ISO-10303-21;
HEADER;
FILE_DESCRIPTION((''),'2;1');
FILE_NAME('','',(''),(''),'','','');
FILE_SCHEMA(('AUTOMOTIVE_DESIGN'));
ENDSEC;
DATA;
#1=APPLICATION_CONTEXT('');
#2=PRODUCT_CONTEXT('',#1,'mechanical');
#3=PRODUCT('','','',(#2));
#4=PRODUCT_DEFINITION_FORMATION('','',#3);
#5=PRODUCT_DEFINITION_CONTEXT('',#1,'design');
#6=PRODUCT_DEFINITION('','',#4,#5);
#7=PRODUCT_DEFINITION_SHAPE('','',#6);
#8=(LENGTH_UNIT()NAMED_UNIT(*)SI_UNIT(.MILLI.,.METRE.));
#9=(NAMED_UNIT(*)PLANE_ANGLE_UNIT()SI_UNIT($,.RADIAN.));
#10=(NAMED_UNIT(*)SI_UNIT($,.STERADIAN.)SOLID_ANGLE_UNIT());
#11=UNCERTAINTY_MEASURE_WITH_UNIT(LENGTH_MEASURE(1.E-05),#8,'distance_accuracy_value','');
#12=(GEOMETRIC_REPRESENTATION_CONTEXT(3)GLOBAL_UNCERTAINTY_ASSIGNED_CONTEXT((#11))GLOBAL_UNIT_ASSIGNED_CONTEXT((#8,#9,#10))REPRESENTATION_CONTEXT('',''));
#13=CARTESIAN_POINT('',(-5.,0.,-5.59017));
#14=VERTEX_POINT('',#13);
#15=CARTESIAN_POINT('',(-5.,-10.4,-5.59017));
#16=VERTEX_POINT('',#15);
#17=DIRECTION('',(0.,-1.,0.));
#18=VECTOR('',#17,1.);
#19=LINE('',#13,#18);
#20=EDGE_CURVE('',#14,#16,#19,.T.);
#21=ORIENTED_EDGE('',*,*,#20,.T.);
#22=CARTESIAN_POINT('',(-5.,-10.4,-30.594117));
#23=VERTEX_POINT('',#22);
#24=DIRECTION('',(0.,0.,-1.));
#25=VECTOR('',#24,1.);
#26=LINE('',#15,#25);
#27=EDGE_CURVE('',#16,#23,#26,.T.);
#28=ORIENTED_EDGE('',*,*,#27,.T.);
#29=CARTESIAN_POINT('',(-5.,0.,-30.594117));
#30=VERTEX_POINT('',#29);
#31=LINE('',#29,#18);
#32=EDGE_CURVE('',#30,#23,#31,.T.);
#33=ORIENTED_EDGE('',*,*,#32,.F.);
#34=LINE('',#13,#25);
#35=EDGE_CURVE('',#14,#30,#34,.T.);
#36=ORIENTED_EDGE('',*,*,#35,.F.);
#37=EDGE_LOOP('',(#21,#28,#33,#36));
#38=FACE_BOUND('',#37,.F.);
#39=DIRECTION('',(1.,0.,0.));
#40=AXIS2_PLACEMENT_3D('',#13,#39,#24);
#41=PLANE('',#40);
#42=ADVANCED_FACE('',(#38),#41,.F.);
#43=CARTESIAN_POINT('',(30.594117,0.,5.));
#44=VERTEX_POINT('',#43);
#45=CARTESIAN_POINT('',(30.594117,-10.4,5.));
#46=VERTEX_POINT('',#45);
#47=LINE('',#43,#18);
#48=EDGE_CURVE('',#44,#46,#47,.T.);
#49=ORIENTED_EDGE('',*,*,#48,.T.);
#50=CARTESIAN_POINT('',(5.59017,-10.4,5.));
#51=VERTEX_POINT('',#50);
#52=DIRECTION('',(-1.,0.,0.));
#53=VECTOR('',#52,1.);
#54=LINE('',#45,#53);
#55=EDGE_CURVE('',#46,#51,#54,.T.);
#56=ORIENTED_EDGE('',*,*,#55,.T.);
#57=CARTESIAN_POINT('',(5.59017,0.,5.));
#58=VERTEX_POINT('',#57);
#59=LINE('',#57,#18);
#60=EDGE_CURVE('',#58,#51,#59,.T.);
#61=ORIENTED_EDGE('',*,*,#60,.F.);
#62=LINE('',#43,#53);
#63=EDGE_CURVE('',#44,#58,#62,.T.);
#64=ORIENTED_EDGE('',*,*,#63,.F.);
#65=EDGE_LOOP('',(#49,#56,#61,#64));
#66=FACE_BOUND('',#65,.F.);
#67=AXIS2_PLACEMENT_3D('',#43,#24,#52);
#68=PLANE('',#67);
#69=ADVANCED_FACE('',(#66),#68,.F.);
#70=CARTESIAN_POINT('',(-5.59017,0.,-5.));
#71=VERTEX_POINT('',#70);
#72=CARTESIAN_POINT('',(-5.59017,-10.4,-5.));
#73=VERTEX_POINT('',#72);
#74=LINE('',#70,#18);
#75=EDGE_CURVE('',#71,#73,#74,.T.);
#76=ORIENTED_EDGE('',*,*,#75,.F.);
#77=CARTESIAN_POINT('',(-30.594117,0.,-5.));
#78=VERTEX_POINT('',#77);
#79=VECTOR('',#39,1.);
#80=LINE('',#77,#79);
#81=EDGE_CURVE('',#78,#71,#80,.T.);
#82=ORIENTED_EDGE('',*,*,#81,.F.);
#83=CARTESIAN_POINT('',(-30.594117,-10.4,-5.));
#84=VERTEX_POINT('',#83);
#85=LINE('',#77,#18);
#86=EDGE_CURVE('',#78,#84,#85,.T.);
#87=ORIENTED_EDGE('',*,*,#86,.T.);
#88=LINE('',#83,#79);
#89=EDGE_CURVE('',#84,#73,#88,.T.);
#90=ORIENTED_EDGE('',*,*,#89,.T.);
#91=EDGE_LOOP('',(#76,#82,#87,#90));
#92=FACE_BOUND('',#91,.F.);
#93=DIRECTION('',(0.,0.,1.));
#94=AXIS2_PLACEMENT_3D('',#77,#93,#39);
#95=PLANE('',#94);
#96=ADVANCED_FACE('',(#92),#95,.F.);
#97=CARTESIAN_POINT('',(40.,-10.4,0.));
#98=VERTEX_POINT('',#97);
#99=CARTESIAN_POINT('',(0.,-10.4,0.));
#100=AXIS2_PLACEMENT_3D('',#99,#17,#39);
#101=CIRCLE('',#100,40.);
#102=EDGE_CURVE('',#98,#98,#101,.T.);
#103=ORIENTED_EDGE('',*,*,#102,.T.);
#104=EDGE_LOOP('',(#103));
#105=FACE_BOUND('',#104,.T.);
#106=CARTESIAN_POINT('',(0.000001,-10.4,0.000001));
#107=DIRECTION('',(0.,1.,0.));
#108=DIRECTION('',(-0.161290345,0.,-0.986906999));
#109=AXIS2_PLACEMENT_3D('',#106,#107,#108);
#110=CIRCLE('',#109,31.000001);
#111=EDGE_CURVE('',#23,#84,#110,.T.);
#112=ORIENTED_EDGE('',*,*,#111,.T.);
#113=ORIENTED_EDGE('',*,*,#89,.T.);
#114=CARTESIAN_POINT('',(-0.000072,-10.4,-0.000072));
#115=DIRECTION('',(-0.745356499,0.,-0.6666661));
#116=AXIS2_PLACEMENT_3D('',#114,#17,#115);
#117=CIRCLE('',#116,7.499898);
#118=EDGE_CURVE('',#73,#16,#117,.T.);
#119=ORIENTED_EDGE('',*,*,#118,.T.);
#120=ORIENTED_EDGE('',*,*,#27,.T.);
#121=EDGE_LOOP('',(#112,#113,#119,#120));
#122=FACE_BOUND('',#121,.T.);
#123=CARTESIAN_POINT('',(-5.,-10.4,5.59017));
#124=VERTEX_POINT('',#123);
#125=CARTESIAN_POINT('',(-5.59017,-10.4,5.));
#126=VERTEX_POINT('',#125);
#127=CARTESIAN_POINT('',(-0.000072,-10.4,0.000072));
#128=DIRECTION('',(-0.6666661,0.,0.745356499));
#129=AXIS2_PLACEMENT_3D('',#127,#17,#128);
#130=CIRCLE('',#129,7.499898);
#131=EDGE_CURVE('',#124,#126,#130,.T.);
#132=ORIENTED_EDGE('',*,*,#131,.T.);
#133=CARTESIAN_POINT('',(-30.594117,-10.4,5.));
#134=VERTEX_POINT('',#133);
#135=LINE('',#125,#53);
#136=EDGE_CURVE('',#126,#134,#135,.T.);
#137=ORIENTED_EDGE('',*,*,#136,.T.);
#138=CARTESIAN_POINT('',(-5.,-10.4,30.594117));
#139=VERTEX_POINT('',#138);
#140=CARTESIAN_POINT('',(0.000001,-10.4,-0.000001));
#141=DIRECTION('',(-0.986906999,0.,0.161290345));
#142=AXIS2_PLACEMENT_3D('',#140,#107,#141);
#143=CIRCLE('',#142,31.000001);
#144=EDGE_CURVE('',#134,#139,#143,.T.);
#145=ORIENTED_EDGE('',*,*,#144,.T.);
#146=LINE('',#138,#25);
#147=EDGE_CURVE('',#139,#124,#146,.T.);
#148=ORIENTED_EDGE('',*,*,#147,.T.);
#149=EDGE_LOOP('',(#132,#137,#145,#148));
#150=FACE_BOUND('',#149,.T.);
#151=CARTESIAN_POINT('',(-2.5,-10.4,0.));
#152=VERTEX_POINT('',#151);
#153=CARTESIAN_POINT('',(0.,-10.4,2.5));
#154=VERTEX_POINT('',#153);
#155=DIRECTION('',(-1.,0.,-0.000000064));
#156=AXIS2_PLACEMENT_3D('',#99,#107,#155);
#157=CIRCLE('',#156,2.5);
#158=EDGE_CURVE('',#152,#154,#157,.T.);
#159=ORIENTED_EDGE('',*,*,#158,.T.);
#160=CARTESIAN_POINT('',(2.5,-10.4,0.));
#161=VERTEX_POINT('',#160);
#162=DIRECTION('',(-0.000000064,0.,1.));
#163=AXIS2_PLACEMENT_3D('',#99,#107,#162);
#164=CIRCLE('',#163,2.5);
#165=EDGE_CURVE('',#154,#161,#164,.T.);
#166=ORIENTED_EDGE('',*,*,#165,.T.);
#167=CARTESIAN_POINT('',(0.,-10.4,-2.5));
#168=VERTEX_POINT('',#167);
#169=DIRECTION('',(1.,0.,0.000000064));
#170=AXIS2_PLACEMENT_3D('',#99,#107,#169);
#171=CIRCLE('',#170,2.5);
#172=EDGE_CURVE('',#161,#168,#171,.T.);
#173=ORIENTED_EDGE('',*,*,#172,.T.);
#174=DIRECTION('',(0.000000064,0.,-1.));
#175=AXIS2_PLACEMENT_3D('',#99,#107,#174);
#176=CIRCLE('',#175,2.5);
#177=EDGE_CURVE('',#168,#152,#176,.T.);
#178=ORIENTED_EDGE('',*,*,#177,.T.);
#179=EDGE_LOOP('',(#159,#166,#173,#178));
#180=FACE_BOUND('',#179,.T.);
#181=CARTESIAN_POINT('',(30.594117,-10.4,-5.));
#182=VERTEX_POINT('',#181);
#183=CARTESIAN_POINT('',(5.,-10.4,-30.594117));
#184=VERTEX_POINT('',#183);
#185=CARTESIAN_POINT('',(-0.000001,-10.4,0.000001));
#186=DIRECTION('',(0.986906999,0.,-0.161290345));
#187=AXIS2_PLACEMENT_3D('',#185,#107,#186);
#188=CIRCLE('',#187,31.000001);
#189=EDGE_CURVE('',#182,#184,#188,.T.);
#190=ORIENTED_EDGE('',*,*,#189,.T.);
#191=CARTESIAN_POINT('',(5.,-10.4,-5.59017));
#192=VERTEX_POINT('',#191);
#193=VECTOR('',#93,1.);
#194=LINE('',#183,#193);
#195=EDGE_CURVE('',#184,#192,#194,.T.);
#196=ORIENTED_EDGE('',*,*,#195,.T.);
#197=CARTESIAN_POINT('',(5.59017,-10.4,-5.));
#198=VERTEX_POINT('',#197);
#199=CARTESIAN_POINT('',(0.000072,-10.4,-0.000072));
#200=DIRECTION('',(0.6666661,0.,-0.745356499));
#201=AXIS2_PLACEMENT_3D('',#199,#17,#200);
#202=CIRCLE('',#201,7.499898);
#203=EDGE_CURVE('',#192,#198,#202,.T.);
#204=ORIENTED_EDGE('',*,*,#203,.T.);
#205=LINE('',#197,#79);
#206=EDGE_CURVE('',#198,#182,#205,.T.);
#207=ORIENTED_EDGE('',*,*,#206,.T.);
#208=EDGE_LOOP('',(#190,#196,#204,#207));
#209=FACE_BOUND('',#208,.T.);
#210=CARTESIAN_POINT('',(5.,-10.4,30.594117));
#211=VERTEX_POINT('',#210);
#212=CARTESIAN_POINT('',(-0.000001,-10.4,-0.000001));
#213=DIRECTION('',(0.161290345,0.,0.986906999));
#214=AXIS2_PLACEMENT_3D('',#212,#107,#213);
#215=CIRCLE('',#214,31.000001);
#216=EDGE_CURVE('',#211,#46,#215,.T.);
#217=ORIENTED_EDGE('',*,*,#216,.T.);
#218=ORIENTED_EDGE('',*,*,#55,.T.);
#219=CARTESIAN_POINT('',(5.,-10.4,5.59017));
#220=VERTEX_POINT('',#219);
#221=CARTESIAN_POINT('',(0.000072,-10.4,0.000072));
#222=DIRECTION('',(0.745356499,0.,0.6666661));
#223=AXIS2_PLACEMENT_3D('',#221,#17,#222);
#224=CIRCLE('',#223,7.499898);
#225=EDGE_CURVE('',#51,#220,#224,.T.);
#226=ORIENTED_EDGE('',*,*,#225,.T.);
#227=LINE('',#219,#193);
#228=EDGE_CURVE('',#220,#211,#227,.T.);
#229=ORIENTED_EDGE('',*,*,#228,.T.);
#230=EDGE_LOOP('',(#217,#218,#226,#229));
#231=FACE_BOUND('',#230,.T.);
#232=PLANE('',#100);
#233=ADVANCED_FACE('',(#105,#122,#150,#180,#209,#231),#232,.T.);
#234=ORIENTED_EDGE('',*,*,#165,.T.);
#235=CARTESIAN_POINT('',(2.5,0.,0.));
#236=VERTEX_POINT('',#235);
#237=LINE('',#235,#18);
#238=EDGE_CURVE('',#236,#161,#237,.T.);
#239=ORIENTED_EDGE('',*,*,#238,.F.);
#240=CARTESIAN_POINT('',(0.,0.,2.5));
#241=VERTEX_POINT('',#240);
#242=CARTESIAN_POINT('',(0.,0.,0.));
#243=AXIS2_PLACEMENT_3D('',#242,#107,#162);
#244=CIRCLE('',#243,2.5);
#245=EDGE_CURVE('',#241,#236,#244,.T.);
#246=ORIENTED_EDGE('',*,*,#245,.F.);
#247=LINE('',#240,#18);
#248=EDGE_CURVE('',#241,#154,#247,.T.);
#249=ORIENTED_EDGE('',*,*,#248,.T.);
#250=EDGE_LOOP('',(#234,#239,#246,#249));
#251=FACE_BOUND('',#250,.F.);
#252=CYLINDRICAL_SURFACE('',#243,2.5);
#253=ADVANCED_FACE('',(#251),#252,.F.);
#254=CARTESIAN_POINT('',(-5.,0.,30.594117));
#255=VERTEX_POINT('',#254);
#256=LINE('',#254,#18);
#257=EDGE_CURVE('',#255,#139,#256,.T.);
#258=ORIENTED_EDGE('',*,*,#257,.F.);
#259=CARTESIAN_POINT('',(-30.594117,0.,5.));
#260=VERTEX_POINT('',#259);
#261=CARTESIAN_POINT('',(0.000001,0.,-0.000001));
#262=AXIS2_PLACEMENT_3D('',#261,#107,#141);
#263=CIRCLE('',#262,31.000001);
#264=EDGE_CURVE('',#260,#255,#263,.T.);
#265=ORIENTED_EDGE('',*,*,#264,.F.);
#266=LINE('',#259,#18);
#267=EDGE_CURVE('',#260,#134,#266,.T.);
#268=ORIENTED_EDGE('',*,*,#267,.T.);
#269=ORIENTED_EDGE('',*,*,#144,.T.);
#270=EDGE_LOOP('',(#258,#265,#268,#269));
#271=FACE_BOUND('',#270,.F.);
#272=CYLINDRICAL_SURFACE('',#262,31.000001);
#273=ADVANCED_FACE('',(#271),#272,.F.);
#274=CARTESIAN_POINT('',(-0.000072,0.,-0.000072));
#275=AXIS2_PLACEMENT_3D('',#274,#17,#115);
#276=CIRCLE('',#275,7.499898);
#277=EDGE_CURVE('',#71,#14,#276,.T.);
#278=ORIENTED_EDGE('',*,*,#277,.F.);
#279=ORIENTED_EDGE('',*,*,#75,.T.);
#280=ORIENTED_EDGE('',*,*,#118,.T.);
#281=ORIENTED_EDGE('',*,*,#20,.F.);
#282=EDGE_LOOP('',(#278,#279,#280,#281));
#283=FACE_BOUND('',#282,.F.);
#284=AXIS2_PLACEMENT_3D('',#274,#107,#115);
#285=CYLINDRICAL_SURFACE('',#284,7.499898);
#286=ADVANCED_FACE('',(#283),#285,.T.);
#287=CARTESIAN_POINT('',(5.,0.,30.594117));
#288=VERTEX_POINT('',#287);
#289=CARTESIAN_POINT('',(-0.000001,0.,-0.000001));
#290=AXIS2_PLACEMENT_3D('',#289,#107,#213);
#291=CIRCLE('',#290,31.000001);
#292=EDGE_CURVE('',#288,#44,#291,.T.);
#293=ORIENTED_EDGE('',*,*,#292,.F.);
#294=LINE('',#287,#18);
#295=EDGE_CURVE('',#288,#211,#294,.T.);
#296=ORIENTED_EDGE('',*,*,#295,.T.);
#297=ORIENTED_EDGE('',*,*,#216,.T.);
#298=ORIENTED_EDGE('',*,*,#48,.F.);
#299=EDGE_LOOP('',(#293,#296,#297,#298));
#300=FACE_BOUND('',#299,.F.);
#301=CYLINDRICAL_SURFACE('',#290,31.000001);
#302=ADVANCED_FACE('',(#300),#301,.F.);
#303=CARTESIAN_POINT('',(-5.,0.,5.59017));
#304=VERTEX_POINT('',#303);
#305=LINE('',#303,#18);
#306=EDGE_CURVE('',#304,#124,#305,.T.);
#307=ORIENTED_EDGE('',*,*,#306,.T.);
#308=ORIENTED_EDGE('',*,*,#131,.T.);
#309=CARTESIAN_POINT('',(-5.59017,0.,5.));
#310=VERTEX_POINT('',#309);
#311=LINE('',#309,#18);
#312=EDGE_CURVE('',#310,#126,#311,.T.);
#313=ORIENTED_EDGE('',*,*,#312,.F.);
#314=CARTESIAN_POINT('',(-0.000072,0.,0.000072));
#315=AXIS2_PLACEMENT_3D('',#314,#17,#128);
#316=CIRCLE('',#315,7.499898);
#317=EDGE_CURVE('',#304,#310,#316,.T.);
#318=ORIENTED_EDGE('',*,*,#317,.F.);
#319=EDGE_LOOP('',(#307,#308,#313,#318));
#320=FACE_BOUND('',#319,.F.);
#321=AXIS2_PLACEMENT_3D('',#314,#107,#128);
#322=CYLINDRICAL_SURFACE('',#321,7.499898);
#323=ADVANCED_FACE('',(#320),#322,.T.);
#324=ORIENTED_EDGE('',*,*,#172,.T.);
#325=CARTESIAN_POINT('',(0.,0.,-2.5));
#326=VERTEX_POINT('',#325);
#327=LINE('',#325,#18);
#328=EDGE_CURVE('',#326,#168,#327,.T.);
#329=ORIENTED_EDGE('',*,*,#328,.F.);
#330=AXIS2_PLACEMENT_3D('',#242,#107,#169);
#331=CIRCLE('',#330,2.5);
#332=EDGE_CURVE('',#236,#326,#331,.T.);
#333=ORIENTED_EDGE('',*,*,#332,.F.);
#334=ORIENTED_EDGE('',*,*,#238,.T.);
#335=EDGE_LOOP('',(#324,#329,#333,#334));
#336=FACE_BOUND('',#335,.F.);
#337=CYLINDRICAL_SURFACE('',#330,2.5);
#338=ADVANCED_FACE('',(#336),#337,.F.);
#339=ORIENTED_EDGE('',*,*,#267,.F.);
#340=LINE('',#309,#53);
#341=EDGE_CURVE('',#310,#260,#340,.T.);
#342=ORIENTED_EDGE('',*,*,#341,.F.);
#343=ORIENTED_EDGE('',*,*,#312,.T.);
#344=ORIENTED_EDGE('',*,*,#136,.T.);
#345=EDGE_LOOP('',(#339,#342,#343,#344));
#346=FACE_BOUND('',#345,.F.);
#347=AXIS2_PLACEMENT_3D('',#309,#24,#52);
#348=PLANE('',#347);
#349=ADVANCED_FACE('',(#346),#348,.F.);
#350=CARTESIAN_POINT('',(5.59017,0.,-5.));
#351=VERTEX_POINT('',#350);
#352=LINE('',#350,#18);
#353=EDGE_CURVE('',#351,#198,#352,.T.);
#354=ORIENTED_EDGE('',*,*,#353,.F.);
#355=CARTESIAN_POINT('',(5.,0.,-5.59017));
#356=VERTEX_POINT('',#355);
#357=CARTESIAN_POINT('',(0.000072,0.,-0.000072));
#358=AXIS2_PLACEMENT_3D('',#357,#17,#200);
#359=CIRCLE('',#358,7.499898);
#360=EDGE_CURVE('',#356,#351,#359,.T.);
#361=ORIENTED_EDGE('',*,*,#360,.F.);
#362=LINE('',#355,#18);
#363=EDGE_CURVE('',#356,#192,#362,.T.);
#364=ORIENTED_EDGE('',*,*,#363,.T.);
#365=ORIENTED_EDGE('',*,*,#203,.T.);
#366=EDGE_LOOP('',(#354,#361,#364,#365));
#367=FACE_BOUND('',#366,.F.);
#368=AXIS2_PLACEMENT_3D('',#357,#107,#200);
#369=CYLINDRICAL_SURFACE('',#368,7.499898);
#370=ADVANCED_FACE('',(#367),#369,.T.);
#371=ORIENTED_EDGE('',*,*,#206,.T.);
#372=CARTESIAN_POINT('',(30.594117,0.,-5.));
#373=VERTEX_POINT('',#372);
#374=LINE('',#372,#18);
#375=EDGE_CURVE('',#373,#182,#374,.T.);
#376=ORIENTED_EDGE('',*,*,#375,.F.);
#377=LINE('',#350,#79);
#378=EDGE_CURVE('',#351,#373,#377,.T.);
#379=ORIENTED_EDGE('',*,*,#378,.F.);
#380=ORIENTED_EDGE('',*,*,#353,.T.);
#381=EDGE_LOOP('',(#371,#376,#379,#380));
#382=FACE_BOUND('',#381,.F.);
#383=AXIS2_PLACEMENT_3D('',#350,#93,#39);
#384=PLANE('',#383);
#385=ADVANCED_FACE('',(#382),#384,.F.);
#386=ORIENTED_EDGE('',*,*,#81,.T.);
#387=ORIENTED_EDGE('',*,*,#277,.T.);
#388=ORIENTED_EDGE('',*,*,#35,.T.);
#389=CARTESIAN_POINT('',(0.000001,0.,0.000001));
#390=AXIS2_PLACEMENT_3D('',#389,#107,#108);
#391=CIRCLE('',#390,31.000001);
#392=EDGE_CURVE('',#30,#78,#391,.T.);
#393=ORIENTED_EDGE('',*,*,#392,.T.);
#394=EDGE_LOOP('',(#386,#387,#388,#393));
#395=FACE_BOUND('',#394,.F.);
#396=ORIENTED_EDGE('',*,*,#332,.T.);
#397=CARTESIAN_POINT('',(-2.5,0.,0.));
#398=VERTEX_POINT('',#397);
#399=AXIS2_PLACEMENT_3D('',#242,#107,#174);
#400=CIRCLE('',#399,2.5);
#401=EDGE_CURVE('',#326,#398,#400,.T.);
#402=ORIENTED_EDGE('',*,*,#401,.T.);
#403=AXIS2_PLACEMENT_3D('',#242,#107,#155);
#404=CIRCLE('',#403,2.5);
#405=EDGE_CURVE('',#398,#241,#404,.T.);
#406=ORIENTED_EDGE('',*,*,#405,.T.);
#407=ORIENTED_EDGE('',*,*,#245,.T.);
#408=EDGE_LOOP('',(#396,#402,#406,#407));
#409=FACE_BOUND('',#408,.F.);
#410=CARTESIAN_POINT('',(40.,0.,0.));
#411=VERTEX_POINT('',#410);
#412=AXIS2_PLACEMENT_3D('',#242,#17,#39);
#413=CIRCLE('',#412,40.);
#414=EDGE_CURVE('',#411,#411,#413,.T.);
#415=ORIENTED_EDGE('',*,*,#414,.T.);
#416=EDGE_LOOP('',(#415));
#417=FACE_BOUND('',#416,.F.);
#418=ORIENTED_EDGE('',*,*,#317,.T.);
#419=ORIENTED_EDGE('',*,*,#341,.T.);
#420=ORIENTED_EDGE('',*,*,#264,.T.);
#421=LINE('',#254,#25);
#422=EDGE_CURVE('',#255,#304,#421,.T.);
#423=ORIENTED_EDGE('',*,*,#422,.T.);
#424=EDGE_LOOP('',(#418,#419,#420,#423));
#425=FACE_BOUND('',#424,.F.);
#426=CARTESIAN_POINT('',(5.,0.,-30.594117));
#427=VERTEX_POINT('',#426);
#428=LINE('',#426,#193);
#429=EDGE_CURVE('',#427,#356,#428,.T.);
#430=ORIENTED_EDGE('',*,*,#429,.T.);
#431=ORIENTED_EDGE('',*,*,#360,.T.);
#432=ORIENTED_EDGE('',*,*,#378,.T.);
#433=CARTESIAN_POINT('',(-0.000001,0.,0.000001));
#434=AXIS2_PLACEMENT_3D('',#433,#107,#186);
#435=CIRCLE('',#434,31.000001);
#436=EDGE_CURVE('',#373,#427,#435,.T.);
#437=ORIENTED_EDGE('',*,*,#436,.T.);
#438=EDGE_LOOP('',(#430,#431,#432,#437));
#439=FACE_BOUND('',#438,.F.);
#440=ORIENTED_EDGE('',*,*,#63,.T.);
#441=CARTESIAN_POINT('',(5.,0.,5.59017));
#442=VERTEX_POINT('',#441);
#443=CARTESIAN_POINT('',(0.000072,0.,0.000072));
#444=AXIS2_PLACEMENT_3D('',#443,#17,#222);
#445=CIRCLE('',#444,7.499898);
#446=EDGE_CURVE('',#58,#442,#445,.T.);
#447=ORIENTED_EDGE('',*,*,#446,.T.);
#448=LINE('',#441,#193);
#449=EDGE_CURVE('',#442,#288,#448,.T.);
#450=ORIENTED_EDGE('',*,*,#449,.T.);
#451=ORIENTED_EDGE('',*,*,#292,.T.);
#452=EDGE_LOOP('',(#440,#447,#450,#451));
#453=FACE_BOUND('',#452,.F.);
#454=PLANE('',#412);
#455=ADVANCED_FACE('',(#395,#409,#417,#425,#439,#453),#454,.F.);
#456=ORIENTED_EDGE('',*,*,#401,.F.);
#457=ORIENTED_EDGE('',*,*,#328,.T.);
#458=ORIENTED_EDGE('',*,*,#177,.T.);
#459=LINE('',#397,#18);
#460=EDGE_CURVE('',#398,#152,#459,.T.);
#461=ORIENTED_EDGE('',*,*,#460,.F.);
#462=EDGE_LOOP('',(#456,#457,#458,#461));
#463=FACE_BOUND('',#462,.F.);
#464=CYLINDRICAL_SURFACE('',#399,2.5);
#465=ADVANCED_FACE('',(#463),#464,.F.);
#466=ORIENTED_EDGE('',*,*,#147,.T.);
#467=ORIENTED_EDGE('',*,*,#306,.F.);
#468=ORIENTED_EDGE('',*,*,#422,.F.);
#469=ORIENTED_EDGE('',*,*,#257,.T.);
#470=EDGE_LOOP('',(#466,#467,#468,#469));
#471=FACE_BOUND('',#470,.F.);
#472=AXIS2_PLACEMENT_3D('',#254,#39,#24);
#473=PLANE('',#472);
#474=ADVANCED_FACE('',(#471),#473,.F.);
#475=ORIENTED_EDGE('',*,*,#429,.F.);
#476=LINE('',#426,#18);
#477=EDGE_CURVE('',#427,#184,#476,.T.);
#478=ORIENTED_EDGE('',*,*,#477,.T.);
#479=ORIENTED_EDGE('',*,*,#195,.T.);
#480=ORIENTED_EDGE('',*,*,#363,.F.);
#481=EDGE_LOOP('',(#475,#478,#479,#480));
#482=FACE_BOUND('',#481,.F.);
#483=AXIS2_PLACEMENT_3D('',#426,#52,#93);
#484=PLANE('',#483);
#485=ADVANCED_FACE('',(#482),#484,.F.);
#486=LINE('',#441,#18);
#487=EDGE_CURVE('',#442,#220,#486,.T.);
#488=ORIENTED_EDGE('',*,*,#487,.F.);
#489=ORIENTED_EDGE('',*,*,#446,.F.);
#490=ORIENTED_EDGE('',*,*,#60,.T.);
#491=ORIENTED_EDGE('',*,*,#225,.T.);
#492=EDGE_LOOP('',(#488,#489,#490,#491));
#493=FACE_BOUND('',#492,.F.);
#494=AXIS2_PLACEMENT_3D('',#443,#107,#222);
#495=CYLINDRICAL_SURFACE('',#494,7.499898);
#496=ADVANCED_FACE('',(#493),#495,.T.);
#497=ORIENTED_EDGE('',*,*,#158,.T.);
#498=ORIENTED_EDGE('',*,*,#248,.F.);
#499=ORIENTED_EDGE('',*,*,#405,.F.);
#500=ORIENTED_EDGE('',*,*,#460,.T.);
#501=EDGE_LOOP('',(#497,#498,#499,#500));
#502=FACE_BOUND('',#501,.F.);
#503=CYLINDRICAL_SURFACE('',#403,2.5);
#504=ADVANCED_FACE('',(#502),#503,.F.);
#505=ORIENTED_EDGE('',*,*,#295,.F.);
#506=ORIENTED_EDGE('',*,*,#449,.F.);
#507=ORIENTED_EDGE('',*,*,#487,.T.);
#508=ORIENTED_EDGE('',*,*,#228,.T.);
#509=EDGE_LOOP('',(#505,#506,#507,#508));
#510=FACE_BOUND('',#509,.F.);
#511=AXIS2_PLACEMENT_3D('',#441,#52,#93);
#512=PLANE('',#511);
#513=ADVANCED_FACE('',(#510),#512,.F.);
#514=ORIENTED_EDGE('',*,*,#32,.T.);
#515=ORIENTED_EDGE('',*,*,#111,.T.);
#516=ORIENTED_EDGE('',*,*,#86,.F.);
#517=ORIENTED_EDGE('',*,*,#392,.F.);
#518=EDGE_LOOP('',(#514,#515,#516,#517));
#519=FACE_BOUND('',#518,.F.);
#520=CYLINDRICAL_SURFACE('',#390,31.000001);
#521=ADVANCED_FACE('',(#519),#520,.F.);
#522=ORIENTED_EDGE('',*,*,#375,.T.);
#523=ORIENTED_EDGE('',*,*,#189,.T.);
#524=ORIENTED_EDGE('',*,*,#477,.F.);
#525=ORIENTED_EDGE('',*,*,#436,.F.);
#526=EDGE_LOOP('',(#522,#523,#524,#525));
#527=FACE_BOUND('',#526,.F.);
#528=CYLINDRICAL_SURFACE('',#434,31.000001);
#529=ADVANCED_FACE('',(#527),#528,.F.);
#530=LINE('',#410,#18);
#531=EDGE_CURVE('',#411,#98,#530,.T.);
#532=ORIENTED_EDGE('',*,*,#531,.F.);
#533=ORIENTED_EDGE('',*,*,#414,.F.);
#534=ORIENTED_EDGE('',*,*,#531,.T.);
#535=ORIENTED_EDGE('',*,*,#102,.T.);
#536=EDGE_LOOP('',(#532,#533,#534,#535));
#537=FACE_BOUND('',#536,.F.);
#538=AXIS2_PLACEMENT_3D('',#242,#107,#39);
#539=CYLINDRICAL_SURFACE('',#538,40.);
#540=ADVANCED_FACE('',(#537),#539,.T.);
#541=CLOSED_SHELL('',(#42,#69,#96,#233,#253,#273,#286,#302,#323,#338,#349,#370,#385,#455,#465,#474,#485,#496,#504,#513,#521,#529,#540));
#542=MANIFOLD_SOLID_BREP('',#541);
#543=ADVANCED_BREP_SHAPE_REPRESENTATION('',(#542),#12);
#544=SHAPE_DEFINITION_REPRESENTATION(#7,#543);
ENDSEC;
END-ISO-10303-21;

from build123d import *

# Parameters (mm, degrees)
F0_R     = 40
F1_DEPTH = 10.4


with BuildPart() as f1:
    # F0 (on Front) → F1 (new body)
    with BuildSketch(Plane.XZ):
        Circle(F0_R)
        with BuildLine():
            ThreePointArc((-5.59017, -5), (-5.303301, -5.303301), (-5, -5.59017))
            Line((-5, -5.59017), (-5, -30.594117))
            ThreePointArc((-5, -30.594117), (-21.92031, -21.92031), (-30.594117, -5))
            Line((-30.594117, -5), (-5.59017, -5))
        make_face(mode=Mode.SUBTRACT)
        with BuildLine():
            Line((5, -30.594117), (5, -5.59017))
            ThreePointArc((5, -5.59017), (5.303301, -5.303301), (5.59017, -5))
            Line((5.59017, -5), (30.594117, -5))
            ThreePointArc((30.594117, -5), (21.92031, -21.92031), (5, -30.594117))
        make_face(mode=Mode.SUBTRACT)
        with BuildLine():
            ThreePointArc((-30.594117, 5), (-21.92031, 21.92031), (-5, 30.594117))
            Line((-5, 30.594117), (-5, 5.59017))
            ThreePointArc((-5, 5.59017), (-5.303301, 5.303301), (-5.59017, 5))
            Line((-5.59017, 5), (-30.594117, 5))
        make_face(mode=Mode.SUBTRACT)
        with BuildLine():
            ThreePointArc((0, 2.5), (1.767767, 1.767767), (2.5, 0))
            ThreePointArc((2.5, 0), (1.767767, -1.767767), (0, -2.5))
            ThreePointArc((0, -2.5), (-1.767767, -1.767767), (-2.5, 0))
            ThreePointArc((-2.5, 0), (-1.767767, 1.767767), (0, 2.5))
        make_face(mode=Mode.SUBTRACT)
        with BuildLine():
            ThreePointArc((5, 30.594117), (21.92031, 21.92031), (30.594117, 5))
            Line((30.594117, 5), (5.59017, 5))
            ThreePointArc((5.59017, 5), (5.303301, 5.303301), (5, 5.59017))
            Line((5, 5.59017), (5, 30.594117))
        make_face(mode=Mode.SUBTRACT)
    extrude(amount=F1_DEPTH)


solid = f1.part
